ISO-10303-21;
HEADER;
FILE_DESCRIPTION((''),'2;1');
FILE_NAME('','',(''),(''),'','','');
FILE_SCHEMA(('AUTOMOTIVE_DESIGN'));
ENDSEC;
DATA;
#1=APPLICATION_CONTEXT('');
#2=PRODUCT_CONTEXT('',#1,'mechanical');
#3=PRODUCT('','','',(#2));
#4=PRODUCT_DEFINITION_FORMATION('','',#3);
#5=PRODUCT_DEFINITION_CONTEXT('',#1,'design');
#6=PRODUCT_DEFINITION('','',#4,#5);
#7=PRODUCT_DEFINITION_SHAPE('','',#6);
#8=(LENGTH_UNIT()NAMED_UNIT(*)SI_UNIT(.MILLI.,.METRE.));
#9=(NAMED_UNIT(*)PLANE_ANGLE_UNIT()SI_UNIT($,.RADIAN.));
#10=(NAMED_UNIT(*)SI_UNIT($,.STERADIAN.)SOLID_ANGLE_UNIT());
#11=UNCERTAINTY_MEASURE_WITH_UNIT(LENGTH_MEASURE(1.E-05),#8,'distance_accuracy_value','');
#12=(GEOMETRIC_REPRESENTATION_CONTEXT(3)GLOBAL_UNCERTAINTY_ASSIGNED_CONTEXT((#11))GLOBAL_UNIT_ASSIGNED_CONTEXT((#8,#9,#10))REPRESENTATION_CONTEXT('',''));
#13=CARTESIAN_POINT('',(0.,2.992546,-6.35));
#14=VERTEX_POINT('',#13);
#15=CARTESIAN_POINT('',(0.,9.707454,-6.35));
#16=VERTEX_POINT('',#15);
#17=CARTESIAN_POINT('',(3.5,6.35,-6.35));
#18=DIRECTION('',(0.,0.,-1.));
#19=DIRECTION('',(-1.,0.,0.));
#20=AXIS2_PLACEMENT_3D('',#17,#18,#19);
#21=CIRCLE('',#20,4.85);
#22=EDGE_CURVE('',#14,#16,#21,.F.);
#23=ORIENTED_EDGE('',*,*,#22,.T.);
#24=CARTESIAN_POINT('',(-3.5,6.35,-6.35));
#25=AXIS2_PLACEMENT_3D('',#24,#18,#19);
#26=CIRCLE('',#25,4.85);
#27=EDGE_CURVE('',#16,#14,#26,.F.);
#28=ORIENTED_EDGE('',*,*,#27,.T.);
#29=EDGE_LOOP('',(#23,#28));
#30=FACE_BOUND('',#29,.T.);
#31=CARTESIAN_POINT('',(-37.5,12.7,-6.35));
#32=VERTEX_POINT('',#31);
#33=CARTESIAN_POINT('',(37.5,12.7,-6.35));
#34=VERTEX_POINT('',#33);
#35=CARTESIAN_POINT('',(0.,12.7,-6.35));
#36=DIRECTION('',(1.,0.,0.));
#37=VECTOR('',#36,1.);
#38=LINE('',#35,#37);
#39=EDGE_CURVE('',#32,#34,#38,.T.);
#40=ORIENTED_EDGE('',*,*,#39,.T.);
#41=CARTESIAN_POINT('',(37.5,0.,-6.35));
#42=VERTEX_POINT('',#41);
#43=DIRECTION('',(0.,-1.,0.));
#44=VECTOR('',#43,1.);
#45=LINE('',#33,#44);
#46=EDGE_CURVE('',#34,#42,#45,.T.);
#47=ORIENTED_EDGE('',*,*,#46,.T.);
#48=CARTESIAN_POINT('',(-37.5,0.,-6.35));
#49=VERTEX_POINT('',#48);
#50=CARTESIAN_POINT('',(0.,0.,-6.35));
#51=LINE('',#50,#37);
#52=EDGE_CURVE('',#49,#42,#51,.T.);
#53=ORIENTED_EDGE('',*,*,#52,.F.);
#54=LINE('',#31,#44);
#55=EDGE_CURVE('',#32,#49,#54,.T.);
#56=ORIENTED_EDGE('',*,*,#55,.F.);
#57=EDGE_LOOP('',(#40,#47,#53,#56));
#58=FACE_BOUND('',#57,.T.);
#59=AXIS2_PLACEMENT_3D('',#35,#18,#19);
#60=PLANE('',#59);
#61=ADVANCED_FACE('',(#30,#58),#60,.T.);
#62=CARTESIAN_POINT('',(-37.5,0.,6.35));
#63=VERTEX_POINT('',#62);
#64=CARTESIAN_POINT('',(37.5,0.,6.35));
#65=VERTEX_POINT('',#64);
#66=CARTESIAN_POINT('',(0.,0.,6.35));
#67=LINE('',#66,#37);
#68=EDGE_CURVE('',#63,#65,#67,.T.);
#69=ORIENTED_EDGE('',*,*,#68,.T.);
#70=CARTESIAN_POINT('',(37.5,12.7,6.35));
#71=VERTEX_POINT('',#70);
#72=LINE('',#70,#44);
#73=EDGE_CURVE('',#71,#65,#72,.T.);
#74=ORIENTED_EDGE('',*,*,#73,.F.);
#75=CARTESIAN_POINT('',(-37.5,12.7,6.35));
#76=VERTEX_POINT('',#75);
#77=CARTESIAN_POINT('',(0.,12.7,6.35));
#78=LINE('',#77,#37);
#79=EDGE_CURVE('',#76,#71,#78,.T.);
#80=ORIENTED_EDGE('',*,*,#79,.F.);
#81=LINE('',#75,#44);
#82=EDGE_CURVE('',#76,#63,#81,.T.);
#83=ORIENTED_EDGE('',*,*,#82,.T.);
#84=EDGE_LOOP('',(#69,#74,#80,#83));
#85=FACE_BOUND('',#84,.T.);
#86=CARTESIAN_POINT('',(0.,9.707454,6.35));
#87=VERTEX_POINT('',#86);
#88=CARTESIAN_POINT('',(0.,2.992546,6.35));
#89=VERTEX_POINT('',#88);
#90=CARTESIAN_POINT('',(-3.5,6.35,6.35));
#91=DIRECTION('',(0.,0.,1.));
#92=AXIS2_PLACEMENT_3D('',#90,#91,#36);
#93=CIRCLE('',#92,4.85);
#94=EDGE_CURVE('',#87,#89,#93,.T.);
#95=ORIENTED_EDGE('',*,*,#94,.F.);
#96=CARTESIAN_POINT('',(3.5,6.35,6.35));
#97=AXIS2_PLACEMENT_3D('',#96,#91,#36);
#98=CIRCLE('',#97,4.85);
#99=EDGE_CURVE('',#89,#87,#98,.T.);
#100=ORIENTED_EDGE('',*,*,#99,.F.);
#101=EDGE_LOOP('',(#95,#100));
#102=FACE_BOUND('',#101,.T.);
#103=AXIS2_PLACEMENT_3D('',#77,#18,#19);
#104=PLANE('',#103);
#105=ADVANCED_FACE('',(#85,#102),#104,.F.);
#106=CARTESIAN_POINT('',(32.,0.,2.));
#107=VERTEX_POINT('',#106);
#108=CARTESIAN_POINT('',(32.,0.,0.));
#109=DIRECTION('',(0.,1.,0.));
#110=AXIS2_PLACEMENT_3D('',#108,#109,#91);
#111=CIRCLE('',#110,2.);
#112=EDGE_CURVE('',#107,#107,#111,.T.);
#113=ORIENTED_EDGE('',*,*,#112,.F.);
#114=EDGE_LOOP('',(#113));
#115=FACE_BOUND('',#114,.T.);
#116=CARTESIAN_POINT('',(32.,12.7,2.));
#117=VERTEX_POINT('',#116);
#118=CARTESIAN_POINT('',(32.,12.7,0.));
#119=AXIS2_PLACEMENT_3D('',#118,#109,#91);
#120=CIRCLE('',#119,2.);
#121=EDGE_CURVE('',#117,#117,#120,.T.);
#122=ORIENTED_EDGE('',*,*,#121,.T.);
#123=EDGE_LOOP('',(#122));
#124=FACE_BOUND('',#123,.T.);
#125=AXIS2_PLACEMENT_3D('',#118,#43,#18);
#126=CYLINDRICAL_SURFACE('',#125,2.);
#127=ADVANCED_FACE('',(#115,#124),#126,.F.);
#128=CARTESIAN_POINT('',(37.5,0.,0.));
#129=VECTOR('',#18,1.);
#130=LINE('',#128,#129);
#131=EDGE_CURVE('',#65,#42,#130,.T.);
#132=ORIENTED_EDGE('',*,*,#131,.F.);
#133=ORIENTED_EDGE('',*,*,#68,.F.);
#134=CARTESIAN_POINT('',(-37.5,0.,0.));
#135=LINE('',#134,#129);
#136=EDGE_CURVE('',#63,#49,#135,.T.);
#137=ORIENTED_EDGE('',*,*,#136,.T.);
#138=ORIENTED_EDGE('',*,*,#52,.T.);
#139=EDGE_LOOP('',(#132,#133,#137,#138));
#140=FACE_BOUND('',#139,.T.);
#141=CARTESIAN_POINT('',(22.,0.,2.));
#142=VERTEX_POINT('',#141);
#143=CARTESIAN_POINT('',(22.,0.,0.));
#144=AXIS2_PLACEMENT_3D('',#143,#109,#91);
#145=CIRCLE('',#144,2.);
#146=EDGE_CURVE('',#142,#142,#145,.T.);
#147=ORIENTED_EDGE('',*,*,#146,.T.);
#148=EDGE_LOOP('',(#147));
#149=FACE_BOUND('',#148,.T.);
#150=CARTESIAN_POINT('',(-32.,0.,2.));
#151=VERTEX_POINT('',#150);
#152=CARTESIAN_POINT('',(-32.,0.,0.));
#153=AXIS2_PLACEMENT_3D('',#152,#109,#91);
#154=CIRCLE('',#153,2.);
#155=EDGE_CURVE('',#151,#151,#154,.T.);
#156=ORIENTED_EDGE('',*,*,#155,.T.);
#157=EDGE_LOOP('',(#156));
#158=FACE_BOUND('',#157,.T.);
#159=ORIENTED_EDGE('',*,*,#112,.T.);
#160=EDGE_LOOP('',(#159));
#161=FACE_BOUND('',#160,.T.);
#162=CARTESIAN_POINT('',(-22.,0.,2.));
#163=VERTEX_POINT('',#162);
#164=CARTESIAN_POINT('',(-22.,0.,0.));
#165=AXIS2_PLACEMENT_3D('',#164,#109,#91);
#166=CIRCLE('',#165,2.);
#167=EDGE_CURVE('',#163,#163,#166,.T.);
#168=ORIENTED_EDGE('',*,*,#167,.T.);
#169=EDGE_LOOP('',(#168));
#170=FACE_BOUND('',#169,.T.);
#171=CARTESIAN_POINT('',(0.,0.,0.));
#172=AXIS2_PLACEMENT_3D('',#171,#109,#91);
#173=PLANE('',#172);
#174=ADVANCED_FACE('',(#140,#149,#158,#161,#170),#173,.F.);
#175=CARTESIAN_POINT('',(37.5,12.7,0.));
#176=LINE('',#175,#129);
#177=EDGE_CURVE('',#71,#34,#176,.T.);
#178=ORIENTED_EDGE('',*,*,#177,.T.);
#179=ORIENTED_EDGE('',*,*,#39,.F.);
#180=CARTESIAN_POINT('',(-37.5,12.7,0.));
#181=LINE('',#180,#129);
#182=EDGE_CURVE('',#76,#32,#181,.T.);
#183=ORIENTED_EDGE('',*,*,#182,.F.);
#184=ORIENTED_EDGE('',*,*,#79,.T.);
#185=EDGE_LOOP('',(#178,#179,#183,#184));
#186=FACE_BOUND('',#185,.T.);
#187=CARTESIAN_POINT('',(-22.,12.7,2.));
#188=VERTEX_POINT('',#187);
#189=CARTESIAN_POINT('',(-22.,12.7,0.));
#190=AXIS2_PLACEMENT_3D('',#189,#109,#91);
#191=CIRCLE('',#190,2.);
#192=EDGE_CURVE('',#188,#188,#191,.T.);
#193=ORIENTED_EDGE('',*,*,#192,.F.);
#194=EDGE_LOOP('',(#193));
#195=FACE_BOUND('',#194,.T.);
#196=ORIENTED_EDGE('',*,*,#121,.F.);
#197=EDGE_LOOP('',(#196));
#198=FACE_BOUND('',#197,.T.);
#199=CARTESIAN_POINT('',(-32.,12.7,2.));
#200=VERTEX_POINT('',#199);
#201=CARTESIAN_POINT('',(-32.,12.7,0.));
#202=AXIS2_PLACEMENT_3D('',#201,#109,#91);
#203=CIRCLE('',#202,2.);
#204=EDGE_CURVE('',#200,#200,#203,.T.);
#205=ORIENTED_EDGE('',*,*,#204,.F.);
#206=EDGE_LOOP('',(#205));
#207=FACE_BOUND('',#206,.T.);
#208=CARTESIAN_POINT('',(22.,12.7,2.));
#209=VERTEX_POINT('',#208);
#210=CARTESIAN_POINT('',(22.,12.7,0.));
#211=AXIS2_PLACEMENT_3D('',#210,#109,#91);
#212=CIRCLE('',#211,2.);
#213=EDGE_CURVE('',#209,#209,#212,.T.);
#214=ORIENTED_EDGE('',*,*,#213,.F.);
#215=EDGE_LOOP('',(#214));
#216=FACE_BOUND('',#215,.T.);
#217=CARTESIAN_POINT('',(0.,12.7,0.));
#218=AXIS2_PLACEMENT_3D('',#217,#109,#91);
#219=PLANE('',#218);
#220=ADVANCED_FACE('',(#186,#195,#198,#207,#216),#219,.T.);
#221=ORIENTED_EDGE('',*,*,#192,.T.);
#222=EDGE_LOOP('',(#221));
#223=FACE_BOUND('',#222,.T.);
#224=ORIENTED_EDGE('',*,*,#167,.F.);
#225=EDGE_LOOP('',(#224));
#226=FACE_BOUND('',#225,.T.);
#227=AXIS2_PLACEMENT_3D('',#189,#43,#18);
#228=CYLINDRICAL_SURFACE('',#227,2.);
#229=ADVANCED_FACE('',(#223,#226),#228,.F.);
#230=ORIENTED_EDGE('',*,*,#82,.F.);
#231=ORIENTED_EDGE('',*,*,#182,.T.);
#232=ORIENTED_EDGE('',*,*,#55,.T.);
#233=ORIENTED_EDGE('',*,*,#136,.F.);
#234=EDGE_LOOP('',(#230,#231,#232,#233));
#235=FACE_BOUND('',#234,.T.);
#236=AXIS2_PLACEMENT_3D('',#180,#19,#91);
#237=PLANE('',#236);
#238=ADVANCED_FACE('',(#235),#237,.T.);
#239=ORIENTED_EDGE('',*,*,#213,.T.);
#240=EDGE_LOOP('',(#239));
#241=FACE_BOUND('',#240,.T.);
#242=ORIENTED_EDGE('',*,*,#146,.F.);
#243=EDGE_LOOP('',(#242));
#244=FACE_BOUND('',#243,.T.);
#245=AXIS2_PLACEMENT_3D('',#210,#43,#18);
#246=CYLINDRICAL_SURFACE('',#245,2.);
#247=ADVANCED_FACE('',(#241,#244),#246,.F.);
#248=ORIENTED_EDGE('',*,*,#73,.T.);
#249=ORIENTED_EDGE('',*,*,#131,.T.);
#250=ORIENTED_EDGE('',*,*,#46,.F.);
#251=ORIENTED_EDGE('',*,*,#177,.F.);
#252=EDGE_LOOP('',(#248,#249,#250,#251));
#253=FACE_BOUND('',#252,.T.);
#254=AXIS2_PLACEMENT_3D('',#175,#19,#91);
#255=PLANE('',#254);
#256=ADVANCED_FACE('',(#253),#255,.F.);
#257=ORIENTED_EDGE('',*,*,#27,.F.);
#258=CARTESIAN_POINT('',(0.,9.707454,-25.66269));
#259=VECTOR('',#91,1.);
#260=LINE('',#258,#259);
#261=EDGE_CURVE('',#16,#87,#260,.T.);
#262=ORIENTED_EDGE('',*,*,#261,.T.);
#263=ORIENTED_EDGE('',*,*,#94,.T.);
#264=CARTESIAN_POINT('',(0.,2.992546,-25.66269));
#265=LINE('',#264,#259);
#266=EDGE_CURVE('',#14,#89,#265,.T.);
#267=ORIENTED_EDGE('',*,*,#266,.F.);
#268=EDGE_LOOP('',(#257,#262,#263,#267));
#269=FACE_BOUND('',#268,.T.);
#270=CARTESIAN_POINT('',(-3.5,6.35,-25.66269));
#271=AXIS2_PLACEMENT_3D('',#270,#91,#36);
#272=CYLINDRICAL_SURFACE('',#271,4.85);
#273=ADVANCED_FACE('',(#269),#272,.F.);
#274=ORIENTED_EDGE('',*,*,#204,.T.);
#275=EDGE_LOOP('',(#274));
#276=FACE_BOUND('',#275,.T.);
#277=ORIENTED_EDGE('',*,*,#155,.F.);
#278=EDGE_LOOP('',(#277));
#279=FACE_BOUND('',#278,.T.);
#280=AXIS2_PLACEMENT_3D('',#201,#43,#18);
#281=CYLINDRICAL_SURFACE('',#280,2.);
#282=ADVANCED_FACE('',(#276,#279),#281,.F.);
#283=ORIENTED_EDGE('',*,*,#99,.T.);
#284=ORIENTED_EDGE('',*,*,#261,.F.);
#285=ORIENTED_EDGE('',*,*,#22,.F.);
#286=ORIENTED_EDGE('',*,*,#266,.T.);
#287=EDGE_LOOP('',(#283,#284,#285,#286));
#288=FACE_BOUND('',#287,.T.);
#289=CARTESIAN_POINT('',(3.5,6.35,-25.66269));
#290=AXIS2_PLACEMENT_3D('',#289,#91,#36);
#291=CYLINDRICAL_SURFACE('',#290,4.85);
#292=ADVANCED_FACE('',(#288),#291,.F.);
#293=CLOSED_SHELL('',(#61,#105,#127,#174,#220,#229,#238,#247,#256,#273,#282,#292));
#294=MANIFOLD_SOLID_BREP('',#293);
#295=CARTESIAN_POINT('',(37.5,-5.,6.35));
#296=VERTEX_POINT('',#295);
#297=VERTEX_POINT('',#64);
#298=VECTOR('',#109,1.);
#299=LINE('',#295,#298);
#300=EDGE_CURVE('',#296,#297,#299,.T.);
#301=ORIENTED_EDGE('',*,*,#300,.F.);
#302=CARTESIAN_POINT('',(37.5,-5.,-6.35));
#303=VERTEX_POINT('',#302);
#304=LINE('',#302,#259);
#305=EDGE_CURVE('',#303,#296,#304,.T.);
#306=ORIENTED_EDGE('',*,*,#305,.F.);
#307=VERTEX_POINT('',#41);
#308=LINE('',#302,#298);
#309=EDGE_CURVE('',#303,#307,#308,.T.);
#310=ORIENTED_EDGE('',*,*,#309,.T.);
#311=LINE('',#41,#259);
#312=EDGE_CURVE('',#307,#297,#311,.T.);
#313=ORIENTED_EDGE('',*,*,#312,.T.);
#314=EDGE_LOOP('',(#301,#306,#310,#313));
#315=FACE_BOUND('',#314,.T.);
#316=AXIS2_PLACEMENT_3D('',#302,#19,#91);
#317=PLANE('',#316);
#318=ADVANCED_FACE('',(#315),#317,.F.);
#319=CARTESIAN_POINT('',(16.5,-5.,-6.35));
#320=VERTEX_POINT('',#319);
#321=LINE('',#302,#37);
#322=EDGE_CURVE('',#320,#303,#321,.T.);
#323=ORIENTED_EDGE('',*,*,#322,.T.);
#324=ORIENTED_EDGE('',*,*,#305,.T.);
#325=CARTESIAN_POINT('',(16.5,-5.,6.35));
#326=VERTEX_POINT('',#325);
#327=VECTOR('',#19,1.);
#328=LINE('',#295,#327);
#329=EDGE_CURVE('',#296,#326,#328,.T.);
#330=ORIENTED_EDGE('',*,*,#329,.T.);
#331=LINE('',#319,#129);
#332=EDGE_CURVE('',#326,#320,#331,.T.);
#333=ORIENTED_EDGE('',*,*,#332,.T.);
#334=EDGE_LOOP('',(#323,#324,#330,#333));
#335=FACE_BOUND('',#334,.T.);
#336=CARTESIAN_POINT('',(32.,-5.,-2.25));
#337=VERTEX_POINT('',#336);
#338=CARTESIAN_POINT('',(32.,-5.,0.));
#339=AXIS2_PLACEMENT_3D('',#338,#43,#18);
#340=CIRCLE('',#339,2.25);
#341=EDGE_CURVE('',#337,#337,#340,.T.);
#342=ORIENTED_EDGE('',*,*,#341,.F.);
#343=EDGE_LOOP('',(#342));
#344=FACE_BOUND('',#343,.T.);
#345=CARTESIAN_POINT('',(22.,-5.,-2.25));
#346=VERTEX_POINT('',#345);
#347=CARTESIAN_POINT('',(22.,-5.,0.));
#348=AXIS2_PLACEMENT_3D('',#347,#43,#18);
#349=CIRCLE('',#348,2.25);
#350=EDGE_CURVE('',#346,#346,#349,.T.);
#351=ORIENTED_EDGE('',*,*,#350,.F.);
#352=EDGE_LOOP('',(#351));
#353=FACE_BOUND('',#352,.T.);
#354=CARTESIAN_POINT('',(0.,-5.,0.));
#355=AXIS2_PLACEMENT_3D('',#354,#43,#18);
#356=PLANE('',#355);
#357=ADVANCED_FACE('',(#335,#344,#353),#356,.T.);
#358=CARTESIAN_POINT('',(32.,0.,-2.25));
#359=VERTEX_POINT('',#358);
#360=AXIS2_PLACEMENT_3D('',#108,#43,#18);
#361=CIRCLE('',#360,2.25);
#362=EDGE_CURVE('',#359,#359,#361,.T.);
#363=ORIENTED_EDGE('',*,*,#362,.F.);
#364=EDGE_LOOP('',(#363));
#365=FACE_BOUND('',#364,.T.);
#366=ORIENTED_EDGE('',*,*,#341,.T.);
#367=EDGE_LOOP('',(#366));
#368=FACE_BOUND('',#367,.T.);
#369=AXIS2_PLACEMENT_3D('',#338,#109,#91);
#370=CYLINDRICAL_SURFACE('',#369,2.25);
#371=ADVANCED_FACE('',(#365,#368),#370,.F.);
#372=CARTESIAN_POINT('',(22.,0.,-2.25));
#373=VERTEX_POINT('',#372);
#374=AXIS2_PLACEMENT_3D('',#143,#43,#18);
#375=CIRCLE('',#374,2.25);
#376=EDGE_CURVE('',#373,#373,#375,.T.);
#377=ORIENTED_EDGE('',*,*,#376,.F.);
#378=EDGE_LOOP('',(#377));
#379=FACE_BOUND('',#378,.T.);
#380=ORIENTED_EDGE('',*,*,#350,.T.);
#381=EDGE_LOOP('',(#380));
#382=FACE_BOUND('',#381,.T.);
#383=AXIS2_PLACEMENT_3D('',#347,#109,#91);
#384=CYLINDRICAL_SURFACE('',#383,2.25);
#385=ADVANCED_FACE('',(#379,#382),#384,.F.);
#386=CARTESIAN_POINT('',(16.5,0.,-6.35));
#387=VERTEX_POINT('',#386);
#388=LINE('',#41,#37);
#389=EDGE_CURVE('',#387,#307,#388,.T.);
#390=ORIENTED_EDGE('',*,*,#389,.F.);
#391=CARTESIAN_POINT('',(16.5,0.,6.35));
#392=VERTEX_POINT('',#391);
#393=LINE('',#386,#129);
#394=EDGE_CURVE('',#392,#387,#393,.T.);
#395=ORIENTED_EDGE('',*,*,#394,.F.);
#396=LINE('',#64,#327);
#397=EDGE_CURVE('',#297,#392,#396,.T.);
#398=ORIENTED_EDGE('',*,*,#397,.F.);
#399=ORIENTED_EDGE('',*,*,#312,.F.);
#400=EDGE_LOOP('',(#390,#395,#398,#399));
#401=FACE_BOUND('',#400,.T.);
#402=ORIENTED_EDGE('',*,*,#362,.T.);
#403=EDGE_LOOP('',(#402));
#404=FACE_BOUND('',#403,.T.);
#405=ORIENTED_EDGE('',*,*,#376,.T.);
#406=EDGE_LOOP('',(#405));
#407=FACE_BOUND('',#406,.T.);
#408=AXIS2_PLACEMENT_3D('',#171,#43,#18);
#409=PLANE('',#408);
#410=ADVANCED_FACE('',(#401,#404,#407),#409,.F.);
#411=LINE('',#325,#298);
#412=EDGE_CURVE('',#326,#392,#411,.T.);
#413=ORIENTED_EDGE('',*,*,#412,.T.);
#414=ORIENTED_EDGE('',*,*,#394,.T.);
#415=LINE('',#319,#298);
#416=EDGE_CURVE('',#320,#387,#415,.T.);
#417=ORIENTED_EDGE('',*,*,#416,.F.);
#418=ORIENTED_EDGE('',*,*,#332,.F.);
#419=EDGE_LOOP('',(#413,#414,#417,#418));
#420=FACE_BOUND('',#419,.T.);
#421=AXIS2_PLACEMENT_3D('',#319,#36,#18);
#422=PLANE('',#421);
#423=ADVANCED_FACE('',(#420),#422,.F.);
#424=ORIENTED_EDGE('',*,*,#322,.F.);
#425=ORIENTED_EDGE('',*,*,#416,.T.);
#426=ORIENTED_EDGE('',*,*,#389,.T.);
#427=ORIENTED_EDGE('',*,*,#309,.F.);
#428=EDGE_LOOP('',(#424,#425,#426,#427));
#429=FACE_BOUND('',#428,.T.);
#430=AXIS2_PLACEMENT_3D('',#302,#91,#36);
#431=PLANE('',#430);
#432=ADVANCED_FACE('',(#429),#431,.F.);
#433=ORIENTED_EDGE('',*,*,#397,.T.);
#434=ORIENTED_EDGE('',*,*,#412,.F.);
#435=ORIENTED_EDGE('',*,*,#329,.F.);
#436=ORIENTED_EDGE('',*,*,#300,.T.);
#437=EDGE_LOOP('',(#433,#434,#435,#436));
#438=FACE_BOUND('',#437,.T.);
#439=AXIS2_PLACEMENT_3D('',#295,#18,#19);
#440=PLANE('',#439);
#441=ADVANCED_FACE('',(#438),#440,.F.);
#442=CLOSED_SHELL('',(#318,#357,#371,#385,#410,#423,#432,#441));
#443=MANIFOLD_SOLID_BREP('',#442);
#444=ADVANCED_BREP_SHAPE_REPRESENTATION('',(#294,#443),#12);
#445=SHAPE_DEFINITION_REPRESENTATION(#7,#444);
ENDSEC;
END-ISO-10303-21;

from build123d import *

# Parameters (mm, degrees)
SKETCH1_W           = 75
SKETCH1_H           = 12.7
SKETCH1_R           = 2
BOSS_EXTRUDE1_DEPTH = 12.7
SKETCH2_R           = 4.85
CUT_EXTRUDE1_DEPTH  = 12.7
SKETCH3_W           = 21
SKETCH3_H           = 12.7
SKETCH3_R           = 2.25
BOSS_EXTRUDE2_DEPTH = 5


with BuildPart() as part:
    # Sketch1 → Boss-Extrude1 (new body)
    with BuildSketch(Plane(origin=(0, 0, 0), x_dir=(1, 0, 0), z_dir=(0, 1, 0))):
        Rectangle(SKETCH1_W, SKETCH1_H)
        with Locations(Location((-32, 0, 0), (0, 0, 270))):
            Circle(SKETCH1_R, mode=Mode.SUBTRACT)
        with Locations(Location((-22, 0, 0), (0, 0, 270))):
            Circle(SKETCH1_R, mode=Mode.SUBTRACT)
        with Locations(Location((22, 0, 0), (0, 0, 270))):
            Circle(SKETCH1_R, mode=Mode.SUBTRACT)
        with Locations(Location((32, 0, 0), (0, 0, 270))):
            Circle(SKETCH1_R, mode=Mode.SUBTRACT)
    extrude(amount=BOSS_EXTRUDE1_DEPTH)

    # Sketch2 → Cut-Extrude1 (cut)
    with BuildSketch(Plane.XY.offset(6.35)):
        with Locations((3.5, 6.35)):
            Circle(SKETCH2_R)
        with Locations((-3.5, 6.35)):
            Circle(SKETCH2_R)
    extrude(amount=-CUT_EXTRUDE1_DEPTH, mode=Mode.SUBTRACT)


with BuildPart() as body_2:
    # Sketch3 → Boss-Extrude2 (new body)
    with BuildSketch(Plane.XZ):
        with Locations((27, 0)):
            Rectangle(SKETCH3_W, SKETCH3_H)
        with Locations(Location((32, 0, 0), (0, 0, 270))):
            Circle(SKETCH3_R, mode=Mode.SUBTRACT)
        with Locations(Location((22, 0, 0), (0, 0, 270))):
            Circle(SKETCH3_R, mode=Mode.SUBTRACT)
    extrude(amount=BOSS_EXTRUDE2_DEPTH)


solid = Compound([part.part, body_2.part])
